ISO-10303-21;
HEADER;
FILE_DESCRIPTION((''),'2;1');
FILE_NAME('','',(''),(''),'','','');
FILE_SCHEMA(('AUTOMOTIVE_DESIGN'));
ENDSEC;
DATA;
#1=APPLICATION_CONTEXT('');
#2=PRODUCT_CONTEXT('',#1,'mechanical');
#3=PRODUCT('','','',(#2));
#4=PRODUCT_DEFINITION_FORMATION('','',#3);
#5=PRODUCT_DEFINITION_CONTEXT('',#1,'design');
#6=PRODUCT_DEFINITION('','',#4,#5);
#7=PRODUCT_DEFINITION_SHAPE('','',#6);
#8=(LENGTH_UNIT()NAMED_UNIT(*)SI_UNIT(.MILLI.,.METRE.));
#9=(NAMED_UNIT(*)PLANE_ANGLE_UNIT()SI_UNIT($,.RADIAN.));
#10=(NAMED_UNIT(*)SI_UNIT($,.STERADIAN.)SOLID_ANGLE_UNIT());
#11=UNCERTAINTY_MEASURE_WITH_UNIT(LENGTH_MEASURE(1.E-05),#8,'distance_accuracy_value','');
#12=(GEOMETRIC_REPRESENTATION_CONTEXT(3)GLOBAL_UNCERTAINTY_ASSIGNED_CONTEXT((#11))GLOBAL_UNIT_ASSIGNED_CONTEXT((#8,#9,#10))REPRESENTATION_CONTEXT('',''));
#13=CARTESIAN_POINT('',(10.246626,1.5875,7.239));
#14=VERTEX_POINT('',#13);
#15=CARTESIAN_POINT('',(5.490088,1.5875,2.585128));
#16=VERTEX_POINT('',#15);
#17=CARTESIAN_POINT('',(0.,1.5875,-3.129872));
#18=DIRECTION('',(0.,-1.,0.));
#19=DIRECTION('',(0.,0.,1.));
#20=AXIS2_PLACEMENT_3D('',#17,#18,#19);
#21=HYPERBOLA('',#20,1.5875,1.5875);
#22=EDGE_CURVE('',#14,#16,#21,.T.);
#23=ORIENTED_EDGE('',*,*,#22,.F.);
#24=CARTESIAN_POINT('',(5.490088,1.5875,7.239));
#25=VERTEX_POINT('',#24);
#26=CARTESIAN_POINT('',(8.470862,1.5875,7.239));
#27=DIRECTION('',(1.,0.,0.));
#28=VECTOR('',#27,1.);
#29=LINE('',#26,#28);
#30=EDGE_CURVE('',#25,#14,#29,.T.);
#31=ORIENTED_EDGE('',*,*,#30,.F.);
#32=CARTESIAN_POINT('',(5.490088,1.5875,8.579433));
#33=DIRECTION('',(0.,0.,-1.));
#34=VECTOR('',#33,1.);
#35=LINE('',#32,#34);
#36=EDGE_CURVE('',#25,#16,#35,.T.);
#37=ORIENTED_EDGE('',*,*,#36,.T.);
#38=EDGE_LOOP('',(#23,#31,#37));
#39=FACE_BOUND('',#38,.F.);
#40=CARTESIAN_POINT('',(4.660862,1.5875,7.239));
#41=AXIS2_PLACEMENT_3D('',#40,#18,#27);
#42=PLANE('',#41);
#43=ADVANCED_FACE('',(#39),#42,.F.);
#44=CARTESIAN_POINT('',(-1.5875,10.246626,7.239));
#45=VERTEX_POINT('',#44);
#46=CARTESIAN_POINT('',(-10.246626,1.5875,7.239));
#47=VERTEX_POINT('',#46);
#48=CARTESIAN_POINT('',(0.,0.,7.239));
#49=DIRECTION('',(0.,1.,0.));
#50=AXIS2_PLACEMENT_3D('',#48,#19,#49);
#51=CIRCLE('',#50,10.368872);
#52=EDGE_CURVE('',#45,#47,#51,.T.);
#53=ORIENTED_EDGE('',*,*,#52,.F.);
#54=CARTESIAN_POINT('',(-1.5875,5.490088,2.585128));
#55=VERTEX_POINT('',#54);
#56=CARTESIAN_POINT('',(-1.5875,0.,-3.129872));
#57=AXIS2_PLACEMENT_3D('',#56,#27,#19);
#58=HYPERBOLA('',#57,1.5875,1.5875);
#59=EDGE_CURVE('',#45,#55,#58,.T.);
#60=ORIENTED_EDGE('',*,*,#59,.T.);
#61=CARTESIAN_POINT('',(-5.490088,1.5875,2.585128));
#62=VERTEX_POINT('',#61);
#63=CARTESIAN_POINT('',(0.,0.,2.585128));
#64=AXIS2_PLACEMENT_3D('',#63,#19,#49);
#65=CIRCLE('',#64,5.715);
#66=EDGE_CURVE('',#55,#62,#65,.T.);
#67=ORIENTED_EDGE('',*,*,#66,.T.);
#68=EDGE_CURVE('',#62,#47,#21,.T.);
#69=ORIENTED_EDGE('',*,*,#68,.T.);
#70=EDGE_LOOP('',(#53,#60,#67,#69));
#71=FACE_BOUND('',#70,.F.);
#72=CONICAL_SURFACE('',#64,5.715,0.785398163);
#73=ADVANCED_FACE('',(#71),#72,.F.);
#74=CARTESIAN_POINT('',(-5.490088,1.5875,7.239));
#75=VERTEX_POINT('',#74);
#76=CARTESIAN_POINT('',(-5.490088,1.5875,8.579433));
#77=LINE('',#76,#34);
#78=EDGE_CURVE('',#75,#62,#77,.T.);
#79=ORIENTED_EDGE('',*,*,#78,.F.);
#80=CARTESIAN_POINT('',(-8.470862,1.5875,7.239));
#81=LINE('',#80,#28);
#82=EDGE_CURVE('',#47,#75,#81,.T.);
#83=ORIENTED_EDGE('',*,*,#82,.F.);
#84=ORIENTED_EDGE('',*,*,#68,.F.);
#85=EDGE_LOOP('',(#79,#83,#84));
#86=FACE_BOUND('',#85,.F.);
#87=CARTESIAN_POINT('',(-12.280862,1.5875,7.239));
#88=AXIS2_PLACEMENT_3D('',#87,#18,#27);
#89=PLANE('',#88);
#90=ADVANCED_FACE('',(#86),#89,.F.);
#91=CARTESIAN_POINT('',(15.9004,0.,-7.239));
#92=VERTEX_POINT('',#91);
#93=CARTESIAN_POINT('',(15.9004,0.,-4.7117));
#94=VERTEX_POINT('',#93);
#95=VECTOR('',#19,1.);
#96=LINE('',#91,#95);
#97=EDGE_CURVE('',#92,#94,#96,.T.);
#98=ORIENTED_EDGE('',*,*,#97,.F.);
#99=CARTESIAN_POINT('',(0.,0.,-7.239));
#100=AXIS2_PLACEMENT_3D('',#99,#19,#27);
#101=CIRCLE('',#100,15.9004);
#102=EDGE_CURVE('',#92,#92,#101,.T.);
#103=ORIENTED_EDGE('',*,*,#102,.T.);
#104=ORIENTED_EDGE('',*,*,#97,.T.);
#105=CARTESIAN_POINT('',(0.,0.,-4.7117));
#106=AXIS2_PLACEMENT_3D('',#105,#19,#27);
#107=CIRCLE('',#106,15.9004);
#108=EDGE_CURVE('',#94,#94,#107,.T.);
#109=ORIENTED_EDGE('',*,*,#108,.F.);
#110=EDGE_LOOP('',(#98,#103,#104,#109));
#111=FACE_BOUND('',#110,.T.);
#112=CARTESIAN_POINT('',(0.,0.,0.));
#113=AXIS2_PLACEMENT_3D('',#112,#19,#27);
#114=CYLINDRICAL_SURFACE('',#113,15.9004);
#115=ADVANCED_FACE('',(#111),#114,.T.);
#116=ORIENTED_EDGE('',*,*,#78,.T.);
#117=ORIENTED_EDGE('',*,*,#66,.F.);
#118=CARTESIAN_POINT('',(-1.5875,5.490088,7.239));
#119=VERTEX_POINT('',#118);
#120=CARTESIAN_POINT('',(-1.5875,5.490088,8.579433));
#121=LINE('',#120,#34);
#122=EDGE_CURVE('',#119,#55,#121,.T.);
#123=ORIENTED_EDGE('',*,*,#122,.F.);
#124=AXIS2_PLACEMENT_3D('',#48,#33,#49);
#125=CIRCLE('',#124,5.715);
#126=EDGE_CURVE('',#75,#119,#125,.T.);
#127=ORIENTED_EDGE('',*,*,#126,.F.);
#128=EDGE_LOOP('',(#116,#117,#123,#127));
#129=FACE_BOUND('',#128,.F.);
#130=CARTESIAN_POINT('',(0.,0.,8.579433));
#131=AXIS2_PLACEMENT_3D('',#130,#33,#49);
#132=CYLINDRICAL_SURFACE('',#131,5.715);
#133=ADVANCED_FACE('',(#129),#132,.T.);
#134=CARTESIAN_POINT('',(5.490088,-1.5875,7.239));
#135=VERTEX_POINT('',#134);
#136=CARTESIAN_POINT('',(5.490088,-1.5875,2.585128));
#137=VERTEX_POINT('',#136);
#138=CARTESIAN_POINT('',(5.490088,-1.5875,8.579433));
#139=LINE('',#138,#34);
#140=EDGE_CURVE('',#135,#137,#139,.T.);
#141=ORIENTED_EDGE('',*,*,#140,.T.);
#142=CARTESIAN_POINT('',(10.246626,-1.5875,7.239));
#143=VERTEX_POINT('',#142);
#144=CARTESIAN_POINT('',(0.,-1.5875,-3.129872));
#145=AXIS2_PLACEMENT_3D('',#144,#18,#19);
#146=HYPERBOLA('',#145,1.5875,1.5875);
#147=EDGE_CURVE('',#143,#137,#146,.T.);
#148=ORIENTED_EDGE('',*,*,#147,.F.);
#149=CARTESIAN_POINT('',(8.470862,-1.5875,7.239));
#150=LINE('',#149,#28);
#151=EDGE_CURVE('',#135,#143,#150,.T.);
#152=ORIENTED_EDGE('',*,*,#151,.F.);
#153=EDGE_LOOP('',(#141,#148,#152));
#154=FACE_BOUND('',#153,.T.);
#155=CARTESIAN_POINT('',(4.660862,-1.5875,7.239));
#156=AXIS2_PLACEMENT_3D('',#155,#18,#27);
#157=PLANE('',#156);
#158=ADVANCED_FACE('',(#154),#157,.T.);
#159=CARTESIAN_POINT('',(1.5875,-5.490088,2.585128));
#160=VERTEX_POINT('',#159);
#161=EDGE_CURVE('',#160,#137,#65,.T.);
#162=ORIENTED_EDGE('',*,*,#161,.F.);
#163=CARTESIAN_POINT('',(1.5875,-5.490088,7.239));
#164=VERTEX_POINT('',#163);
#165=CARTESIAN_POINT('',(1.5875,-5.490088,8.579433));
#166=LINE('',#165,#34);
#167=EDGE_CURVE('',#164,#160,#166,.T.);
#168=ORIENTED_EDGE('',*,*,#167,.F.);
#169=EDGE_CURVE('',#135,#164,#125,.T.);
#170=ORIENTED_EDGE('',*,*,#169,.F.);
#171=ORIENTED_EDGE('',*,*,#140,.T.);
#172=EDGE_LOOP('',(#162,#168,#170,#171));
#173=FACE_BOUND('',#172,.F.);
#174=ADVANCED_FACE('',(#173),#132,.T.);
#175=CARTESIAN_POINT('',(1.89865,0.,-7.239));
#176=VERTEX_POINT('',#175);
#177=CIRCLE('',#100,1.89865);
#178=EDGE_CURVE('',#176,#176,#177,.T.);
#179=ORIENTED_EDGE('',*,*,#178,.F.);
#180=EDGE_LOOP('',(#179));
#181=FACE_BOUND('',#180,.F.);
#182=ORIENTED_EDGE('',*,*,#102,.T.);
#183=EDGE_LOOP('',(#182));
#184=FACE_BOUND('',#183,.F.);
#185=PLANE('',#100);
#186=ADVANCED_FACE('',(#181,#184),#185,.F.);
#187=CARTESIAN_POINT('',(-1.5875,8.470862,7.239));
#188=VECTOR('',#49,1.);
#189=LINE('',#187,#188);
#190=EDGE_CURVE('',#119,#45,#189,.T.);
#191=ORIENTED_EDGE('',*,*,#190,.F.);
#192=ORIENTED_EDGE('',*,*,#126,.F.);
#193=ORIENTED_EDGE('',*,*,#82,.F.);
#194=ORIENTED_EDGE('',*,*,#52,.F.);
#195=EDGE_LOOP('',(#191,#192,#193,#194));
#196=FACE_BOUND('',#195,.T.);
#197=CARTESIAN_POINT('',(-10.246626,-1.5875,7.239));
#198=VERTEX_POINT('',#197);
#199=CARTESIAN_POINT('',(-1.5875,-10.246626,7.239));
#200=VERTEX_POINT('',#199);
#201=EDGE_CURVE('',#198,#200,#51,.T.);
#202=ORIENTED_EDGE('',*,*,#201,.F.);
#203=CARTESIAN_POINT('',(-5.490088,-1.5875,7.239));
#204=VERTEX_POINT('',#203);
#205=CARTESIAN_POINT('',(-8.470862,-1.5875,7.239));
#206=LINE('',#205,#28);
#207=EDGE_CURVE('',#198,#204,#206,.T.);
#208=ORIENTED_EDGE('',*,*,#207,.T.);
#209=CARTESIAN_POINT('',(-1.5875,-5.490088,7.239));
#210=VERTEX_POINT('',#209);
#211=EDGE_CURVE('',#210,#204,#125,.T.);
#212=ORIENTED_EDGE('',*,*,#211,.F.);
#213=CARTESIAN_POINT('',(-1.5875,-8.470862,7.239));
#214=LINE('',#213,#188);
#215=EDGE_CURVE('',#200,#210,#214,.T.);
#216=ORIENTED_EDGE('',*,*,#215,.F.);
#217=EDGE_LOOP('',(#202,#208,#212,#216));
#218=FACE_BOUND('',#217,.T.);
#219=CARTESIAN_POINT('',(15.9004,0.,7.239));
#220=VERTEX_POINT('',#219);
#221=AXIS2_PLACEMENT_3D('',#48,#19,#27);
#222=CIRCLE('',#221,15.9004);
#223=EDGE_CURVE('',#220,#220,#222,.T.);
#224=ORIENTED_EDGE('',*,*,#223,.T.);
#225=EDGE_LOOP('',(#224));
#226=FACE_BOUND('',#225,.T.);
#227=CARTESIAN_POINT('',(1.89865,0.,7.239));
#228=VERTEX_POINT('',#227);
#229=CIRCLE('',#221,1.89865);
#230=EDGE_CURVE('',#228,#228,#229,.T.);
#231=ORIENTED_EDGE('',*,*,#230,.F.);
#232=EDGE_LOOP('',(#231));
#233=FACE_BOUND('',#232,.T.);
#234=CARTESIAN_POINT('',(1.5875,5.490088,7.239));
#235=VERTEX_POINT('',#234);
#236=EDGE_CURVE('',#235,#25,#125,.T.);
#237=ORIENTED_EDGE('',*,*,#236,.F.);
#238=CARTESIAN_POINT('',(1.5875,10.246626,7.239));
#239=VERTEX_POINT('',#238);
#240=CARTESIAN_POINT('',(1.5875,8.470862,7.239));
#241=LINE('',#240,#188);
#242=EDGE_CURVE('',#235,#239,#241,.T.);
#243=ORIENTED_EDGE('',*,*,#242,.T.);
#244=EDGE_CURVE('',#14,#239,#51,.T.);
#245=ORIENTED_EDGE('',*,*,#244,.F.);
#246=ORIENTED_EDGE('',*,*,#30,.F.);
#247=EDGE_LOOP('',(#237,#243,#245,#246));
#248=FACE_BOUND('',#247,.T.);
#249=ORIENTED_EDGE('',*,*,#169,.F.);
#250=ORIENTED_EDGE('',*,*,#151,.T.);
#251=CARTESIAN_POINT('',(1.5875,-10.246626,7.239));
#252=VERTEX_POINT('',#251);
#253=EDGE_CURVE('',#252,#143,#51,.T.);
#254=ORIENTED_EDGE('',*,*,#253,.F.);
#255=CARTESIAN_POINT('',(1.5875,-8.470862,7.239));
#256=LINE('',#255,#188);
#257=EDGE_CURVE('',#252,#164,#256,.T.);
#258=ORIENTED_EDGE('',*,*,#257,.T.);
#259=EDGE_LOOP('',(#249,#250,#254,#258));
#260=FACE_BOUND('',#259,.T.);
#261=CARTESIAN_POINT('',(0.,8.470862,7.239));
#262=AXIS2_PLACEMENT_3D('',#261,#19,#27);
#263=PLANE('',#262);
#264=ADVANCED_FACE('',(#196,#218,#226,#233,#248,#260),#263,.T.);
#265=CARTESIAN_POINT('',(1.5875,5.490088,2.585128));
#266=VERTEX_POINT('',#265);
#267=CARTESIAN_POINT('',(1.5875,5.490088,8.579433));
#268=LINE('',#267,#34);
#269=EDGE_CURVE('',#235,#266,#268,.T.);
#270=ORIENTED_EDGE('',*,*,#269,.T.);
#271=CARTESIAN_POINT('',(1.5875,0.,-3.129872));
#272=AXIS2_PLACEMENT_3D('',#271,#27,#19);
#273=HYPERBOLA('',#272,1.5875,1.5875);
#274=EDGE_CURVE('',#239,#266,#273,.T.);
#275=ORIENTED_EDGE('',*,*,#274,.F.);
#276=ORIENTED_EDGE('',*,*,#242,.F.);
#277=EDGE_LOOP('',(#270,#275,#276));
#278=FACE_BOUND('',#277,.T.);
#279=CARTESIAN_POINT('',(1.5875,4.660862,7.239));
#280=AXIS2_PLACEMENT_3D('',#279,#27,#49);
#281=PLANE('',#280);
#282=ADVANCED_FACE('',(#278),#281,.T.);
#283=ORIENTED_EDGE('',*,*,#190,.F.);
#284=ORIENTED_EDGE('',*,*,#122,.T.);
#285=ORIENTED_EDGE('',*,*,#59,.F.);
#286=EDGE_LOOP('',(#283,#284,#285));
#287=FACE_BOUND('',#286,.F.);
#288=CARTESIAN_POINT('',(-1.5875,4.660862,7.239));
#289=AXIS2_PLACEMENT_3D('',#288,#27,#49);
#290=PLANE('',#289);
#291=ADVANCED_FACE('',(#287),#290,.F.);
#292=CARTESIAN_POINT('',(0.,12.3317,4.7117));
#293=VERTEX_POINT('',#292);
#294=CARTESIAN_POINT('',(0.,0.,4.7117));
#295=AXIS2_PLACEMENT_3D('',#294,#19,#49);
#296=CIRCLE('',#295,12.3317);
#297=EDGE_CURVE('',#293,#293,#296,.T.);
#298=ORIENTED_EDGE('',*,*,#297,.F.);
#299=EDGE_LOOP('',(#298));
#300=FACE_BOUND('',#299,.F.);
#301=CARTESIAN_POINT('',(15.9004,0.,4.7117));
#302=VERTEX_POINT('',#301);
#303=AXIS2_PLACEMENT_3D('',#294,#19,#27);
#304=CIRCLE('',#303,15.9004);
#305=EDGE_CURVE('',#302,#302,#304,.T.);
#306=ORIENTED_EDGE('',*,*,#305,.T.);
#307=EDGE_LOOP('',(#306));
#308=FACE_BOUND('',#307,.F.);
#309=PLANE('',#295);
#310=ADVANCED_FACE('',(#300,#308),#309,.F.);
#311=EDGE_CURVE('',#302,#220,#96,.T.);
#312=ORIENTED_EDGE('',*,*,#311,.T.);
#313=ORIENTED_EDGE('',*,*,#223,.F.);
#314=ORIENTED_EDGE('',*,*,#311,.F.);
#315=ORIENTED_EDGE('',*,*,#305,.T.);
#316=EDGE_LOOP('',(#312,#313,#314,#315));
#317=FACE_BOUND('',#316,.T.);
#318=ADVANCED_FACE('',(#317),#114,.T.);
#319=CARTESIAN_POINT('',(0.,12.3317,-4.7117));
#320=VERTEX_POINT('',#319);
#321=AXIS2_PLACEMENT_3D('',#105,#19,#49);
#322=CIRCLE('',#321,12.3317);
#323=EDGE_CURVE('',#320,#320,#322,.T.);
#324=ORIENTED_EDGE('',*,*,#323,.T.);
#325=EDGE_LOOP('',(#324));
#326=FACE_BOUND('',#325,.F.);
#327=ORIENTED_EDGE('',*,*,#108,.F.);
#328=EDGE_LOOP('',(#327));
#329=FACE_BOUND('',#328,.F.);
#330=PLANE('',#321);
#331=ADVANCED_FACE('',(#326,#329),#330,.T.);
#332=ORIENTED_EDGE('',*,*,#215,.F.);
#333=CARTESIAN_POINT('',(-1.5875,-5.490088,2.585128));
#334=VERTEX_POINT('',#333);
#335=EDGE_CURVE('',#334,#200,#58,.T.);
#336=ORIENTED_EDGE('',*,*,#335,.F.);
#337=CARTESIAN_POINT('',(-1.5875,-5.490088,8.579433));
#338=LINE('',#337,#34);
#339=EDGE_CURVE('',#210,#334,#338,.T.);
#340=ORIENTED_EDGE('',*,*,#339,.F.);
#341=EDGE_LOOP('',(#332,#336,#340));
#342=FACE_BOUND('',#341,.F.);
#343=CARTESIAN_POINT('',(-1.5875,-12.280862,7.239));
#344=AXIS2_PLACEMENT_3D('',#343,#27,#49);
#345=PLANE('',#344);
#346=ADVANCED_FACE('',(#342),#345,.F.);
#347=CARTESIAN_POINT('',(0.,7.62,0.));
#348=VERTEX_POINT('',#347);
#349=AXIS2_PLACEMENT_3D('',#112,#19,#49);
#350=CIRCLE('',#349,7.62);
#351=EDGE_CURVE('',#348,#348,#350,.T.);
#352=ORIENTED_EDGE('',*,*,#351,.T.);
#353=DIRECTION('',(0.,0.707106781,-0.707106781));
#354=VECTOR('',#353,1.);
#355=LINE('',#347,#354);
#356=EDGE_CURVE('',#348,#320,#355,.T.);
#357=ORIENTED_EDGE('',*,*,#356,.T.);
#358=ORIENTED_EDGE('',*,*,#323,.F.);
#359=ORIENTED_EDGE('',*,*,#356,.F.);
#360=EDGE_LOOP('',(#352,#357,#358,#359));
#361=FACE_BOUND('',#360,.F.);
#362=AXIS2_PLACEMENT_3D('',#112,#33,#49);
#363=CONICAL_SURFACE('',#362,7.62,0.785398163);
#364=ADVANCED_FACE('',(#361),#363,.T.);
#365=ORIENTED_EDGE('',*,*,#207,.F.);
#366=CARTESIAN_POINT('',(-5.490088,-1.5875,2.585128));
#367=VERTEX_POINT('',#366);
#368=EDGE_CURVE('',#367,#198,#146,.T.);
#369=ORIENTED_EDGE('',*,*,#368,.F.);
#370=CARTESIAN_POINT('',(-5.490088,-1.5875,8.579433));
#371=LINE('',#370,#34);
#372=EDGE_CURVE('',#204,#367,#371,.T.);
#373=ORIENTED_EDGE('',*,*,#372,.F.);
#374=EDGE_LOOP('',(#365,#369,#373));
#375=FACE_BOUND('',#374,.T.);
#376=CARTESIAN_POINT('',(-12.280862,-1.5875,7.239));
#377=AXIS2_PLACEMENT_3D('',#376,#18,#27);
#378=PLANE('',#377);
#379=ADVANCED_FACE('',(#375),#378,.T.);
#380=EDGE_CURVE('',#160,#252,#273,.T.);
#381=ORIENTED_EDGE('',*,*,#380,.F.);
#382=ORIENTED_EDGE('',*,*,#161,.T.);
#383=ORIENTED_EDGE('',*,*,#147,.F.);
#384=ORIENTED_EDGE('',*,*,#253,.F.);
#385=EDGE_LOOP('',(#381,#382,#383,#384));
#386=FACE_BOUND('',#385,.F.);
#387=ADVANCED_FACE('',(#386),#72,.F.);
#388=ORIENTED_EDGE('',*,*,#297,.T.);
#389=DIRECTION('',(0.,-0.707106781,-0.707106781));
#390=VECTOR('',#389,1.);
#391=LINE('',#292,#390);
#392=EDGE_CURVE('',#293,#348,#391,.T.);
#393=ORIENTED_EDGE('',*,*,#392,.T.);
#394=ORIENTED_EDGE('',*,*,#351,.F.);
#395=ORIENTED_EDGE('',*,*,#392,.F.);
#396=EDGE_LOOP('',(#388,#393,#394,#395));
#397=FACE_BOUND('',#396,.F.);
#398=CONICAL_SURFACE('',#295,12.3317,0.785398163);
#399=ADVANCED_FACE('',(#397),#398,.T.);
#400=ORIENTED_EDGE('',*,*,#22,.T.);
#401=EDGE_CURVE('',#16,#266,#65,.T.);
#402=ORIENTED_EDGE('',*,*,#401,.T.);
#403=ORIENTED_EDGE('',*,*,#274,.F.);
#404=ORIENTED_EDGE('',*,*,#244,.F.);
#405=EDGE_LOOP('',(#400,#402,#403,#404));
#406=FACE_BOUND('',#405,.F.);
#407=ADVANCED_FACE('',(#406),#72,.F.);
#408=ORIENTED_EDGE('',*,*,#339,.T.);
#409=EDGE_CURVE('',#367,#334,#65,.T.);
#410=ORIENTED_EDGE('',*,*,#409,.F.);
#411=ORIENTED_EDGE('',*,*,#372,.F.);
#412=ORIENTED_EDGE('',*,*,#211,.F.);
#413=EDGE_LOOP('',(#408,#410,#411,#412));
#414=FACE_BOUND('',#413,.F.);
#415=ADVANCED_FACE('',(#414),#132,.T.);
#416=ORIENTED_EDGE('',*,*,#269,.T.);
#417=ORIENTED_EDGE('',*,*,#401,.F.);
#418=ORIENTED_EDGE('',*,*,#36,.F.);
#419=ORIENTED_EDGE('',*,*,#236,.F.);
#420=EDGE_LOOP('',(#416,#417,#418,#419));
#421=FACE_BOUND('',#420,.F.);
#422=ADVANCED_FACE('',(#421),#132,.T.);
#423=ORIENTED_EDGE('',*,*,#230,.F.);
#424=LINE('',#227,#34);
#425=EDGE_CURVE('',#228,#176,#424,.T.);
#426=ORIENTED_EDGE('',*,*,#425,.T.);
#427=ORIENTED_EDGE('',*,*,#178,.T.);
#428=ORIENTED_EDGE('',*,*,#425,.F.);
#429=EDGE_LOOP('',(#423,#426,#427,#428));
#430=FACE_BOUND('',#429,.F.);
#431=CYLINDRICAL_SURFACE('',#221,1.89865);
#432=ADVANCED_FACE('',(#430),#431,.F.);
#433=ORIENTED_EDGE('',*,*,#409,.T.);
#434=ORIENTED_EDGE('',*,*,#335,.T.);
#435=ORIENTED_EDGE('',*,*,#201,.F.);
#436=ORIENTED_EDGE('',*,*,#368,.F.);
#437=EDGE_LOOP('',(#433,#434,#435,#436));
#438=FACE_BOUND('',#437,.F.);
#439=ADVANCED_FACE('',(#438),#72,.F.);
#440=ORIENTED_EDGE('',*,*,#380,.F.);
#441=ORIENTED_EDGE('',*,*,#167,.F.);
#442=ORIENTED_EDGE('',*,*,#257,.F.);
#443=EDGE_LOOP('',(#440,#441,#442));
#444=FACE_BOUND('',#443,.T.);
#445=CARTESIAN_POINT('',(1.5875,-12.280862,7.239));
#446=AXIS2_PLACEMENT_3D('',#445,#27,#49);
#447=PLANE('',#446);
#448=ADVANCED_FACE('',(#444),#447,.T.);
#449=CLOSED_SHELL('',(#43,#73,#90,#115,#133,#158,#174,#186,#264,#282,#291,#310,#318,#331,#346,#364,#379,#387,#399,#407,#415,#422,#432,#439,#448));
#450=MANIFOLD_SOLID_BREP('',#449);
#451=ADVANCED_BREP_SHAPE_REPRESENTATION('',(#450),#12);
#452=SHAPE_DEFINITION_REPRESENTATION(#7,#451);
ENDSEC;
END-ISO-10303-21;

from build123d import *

# Parameters (mm, degrees)
F0_R     = 15.9004
F1_DEPTH = 7.239
F2_R     = 1.89865
F3_DEPTH = 14.479
F6_W     = 3.175
F6_H     = 7.62
F6_W_2   = 7.62
F6_H_2   = 3.175


with BuildPart() as f1:
    # F0 (on Top) → F1 (new body, symmetric)
    with BuildSketch(Plane.XY):
        Circle(F0_R)
    extrude(amount=F1_DEPTH, both=True)

    # F2 (on face) → F3 (cut, through all)
    with BuildSketch(Plane.XY.offset(7.239)):
        Circle(F2_R)
    extrude(amount=-F3_DEPTH, mode=Mode.SUBTRACT)

    # F4 (on Right) → F5 (revolve, cut)
    with BuildSketch(Plane.YZ):
        Polygon((7.62, 0), (12.3317, -4.7117), (16.1773537484, -4.7117), (16.1773537484, 4.7117), (12.3317, 4.7117), align=None)
        Polygon((11.7093047491, 8.5794328097), (5.715, 8.5794328097), (5.715, 2.5851280605), align=None)
    revolve(axis=Axis((0, 0, 6.2945708632), (0, 0, 1)), mode=Mode.SUBTRACT)

    # F6 (on face) → F7 (join, up to the next surface of F1)
    with BuildSketch(Plane.XY.offset(7.239)):
        with Locations((0, 8.4708621725)):
            Rectangle(F6_W, F6_H)
        with Locations((-8.4708621725, 0)):
            Rectangle(F6_W_2, F6_H_2)
        with Locations((0, -8.4708621725)):
            Rectangle(F6_W, F6_H)
        with Locations((8.4708621725, 0)):
            Rectangle(F6_W_2, F6_H_2)
    extrude(until=Until.NEXT, dir=(0, 0, -1))


solid = f1.part
